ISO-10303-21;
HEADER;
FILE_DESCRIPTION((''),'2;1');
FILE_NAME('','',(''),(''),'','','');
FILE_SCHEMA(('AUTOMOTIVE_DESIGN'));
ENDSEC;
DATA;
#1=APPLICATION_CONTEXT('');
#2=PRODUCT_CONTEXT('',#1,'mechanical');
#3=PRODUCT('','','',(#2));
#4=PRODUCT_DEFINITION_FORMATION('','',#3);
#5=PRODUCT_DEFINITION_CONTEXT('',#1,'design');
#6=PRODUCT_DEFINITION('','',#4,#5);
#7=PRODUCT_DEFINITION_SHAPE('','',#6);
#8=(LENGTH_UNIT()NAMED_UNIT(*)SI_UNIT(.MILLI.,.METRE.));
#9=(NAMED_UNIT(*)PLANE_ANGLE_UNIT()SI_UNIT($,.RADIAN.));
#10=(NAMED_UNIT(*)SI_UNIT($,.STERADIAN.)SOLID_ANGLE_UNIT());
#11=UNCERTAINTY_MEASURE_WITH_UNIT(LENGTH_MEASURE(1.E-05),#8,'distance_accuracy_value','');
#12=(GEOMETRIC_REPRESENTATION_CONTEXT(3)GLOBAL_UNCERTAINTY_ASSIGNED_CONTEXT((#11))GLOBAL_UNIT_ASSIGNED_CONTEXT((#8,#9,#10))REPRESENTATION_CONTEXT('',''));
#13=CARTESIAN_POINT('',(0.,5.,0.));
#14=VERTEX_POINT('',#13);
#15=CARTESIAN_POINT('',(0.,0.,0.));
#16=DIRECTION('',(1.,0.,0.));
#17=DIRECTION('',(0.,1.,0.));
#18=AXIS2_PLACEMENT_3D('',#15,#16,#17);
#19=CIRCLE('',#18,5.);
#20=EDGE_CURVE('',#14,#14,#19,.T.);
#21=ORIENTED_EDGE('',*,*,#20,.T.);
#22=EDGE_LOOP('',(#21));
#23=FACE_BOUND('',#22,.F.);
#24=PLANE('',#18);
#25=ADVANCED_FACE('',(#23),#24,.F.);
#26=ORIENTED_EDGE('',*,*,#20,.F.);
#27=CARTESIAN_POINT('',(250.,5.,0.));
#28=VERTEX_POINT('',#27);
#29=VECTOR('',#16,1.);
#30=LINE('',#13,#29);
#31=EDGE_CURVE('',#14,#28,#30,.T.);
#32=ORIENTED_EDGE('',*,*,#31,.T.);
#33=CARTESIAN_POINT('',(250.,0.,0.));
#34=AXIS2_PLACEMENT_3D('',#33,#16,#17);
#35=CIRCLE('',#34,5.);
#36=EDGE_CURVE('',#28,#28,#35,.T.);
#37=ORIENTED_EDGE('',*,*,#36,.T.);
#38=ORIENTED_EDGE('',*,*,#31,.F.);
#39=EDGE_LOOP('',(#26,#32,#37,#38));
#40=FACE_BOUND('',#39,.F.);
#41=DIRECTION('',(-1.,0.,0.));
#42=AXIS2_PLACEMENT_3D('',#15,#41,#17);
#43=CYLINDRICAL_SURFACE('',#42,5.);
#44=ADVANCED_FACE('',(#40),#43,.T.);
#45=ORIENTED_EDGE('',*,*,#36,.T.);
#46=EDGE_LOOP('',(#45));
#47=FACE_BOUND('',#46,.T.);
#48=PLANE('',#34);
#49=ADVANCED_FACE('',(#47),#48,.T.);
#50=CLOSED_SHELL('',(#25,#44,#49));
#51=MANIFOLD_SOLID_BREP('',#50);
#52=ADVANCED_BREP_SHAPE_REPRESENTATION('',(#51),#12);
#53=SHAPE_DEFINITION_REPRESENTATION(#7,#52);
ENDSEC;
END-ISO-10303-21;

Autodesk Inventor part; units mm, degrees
ref_plane "YZ Plane" through (0, 0, 0) normal (1, 0, 0) x (0, 1, 0)
ref_plane "XZ Plane" through (0, 0, 0) normal (0, 1, 0) x (-1, 0, 0)
ref_plane "XY Plane" through (0, 0, 0) normal (0, 0, 1) x (1, 0, 0)
sketch "Sketch1" plane through (0, 0, 0) normal (1, 0, 0) x (0, 1, 0)
  circle A0 centre (0, 0) radius 5
  dimension "d0" = 10
extrude "Extrusion1" add sketch "Sketch1" along normal blind 250
properties part number "shaft"
